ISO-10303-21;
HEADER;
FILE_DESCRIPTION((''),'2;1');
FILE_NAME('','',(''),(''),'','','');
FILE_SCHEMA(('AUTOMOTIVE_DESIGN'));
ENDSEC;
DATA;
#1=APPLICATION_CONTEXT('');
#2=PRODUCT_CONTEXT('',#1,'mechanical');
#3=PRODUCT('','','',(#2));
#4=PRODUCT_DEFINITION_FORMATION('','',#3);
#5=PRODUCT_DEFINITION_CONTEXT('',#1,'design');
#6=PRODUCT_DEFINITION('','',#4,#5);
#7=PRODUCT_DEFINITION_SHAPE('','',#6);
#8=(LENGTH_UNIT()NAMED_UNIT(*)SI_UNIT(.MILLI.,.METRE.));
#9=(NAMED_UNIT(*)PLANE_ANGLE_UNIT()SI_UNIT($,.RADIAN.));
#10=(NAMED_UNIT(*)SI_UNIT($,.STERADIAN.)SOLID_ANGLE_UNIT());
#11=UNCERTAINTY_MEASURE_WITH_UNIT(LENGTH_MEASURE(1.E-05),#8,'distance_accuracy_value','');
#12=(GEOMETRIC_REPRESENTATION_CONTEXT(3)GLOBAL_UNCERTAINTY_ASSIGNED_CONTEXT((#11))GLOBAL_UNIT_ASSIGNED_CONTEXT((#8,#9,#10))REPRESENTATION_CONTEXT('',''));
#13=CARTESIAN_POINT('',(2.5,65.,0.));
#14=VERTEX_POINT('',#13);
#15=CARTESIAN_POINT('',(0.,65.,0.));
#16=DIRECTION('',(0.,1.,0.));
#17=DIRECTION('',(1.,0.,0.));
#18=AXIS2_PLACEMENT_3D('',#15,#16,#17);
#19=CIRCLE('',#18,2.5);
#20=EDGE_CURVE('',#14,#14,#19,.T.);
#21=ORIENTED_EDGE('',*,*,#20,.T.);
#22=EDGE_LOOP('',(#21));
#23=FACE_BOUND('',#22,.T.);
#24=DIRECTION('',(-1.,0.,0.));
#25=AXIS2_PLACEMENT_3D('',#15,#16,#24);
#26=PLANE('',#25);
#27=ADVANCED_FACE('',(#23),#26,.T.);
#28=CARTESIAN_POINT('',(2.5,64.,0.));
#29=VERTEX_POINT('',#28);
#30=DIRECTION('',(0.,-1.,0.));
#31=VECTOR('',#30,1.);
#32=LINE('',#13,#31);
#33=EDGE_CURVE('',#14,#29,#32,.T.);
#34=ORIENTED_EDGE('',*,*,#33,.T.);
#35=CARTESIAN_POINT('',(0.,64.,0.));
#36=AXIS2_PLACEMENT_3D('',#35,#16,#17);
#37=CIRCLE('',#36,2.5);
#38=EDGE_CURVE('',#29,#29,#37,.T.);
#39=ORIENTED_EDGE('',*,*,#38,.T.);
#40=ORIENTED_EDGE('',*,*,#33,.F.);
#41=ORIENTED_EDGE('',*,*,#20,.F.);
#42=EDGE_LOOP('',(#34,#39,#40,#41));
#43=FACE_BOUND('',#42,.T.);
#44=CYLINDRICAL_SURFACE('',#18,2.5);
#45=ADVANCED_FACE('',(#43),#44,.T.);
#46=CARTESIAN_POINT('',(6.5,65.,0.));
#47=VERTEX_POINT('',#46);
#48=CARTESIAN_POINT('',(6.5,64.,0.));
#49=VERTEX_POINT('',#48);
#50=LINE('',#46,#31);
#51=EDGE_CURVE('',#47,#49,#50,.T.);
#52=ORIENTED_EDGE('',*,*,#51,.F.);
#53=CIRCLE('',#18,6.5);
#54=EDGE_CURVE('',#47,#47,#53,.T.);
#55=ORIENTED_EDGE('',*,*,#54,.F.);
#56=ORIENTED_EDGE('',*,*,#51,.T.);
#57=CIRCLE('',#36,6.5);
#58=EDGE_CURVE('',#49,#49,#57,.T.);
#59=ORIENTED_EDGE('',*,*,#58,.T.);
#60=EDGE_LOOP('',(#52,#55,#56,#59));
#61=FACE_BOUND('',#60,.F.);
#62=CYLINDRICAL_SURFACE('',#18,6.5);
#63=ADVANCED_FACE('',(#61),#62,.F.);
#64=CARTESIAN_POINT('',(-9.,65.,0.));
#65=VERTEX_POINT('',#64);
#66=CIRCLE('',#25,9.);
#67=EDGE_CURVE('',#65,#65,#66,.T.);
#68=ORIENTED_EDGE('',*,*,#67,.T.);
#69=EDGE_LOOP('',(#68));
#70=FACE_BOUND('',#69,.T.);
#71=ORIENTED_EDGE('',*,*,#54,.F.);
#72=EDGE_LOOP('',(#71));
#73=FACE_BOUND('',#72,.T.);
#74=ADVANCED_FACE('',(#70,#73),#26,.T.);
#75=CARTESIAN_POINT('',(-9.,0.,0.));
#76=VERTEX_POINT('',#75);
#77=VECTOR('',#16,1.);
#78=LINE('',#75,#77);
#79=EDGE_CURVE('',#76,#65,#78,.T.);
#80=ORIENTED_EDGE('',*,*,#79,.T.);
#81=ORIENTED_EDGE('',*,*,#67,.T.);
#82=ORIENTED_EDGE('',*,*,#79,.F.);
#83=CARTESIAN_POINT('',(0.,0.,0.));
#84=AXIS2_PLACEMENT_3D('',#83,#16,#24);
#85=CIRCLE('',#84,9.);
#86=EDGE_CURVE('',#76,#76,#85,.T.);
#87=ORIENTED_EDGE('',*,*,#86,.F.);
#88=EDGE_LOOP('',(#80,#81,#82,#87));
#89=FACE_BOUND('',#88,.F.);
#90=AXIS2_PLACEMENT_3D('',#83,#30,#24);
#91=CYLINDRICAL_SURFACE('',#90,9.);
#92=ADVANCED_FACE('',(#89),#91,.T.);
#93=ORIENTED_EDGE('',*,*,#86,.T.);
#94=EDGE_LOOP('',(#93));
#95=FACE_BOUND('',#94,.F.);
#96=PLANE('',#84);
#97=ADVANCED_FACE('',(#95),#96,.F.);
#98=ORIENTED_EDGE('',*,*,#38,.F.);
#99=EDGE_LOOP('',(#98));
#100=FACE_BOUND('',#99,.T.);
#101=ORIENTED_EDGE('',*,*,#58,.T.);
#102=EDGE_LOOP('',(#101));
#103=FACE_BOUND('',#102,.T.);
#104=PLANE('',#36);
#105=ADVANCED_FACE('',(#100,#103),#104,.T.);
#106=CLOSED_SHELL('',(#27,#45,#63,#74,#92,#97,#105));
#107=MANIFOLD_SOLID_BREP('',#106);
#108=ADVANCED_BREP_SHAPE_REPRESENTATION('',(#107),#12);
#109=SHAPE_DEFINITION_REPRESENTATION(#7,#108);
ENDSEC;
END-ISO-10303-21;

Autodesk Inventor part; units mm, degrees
ref_plane "YZ Plane" through (0, 0, 0) normal (1, 0, 0) x (0, 1, 0)
ref_plane "XZ Plane" through (0, 0, 0) normal (0, 1, 0) x (-1, 0, 0)
ref_plane "XY Plane" through (0, 0, 0) normal (0, 0, 1) x (1, 0, 0)
sketch "Sketch1" plane through (0, 0, 0) normal (0, 1, 0) x (-1, 0, 0)
  circle A0 centre (0, 0) radius 9
  dimension "d0" = 18
extrude "Extrusion1" add sketch "Sketch1" along normal blind 65
sketch "Sketch2" plane through (0, 65, 0) normal (0, 1, 0) x (1, 0, 0)
  circle A0 centre (0, 0) radius 6.5
  circle A1 centre (0, 0) radius 2.5
  dimension "d3" = 13
  dimension "d4" = 5
extrude "Extrusion2" cut sketch "Sketch2" against normal blind 1
properties part number "18650_cell"
